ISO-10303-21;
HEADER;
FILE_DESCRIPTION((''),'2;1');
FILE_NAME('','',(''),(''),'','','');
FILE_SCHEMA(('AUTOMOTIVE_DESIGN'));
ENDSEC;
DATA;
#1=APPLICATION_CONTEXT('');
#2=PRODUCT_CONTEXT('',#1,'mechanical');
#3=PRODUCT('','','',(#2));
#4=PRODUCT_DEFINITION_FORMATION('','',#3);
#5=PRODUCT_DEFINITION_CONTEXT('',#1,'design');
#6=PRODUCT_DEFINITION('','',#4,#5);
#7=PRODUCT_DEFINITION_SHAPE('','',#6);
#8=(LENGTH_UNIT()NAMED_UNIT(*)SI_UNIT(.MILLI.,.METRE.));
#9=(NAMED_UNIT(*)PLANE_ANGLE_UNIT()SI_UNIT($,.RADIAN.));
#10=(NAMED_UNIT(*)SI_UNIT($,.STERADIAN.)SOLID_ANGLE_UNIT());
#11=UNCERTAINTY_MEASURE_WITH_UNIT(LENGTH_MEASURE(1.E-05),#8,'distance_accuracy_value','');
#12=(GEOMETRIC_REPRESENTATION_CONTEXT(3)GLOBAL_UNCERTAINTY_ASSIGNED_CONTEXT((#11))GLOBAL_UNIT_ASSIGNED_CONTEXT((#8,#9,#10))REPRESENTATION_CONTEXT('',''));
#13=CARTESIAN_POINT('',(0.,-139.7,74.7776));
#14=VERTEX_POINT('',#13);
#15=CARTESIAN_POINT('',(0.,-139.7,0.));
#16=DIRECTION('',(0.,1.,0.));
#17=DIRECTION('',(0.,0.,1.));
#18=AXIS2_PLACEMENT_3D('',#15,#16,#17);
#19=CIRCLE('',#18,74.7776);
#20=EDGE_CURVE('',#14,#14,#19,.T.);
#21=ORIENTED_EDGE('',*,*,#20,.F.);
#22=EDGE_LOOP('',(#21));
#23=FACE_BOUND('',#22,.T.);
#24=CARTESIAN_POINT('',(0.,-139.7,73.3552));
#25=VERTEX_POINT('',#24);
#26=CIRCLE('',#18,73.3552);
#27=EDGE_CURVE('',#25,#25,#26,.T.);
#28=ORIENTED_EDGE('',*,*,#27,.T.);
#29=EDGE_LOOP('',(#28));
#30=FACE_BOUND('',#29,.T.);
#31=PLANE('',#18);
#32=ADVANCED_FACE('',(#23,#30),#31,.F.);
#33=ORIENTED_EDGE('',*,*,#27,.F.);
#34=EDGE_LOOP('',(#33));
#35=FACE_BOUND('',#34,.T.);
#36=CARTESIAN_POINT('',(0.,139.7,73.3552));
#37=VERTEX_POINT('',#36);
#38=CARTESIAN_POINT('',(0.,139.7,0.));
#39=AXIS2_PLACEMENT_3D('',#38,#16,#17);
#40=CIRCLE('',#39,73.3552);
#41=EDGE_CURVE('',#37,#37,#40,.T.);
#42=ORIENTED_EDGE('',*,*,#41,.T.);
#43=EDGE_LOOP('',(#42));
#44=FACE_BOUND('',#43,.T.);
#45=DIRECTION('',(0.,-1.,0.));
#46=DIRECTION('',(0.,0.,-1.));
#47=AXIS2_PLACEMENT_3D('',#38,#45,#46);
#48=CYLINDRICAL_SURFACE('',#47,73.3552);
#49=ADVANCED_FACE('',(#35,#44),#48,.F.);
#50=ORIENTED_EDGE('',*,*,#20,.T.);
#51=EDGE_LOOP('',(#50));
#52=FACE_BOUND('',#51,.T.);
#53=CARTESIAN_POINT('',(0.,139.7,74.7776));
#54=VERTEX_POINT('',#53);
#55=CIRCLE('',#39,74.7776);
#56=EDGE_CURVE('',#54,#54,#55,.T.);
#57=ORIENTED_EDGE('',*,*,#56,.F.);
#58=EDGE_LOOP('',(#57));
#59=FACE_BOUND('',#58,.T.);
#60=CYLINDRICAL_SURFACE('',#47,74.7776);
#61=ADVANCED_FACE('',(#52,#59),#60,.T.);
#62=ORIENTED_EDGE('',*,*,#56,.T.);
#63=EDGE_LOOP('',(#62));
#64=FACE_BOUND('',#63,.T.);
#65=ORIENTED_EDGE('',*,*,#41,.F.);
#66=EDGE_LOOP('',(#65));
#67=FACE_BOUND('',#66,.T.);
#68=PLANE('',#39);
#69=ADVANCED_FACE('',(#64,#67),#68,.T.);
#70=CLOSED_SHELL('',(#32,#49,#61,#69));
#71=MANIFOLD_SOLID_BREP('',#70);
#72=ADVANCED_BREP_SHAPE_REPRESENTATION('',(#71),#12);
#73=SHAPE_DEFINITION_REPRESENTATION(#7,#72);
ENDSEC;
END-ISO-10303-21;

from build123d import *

# Parameters (mm, degrees)
SKETCH2_R           = 74.7776
SKETCH2_R_2         = 73.3552
BOSS_EXTRUDE1_DEPTH = 139.7


with BuildPart() as part:
    # Sketch2 → Boss-Extrude1 (new, symmetric)
    with BuildSketch(Plane(origin=(0, 0, 0), x_dir=(1, 0, 0), z_dir=(0, 1, 0))):
        with Locations(Location((0, 0, 0), (0, 0, 270))):
            Circle(SKETCH2_R)
        with Locations(Location((0, 0, 0), (0, 0, 270))):
            Circle(SKETCH2_R_2, mode=Mode.SUBTRACT)
    extrude(amount=BOSS_EXTRUDE1_DEPTH, both=True)


solid = part.part
